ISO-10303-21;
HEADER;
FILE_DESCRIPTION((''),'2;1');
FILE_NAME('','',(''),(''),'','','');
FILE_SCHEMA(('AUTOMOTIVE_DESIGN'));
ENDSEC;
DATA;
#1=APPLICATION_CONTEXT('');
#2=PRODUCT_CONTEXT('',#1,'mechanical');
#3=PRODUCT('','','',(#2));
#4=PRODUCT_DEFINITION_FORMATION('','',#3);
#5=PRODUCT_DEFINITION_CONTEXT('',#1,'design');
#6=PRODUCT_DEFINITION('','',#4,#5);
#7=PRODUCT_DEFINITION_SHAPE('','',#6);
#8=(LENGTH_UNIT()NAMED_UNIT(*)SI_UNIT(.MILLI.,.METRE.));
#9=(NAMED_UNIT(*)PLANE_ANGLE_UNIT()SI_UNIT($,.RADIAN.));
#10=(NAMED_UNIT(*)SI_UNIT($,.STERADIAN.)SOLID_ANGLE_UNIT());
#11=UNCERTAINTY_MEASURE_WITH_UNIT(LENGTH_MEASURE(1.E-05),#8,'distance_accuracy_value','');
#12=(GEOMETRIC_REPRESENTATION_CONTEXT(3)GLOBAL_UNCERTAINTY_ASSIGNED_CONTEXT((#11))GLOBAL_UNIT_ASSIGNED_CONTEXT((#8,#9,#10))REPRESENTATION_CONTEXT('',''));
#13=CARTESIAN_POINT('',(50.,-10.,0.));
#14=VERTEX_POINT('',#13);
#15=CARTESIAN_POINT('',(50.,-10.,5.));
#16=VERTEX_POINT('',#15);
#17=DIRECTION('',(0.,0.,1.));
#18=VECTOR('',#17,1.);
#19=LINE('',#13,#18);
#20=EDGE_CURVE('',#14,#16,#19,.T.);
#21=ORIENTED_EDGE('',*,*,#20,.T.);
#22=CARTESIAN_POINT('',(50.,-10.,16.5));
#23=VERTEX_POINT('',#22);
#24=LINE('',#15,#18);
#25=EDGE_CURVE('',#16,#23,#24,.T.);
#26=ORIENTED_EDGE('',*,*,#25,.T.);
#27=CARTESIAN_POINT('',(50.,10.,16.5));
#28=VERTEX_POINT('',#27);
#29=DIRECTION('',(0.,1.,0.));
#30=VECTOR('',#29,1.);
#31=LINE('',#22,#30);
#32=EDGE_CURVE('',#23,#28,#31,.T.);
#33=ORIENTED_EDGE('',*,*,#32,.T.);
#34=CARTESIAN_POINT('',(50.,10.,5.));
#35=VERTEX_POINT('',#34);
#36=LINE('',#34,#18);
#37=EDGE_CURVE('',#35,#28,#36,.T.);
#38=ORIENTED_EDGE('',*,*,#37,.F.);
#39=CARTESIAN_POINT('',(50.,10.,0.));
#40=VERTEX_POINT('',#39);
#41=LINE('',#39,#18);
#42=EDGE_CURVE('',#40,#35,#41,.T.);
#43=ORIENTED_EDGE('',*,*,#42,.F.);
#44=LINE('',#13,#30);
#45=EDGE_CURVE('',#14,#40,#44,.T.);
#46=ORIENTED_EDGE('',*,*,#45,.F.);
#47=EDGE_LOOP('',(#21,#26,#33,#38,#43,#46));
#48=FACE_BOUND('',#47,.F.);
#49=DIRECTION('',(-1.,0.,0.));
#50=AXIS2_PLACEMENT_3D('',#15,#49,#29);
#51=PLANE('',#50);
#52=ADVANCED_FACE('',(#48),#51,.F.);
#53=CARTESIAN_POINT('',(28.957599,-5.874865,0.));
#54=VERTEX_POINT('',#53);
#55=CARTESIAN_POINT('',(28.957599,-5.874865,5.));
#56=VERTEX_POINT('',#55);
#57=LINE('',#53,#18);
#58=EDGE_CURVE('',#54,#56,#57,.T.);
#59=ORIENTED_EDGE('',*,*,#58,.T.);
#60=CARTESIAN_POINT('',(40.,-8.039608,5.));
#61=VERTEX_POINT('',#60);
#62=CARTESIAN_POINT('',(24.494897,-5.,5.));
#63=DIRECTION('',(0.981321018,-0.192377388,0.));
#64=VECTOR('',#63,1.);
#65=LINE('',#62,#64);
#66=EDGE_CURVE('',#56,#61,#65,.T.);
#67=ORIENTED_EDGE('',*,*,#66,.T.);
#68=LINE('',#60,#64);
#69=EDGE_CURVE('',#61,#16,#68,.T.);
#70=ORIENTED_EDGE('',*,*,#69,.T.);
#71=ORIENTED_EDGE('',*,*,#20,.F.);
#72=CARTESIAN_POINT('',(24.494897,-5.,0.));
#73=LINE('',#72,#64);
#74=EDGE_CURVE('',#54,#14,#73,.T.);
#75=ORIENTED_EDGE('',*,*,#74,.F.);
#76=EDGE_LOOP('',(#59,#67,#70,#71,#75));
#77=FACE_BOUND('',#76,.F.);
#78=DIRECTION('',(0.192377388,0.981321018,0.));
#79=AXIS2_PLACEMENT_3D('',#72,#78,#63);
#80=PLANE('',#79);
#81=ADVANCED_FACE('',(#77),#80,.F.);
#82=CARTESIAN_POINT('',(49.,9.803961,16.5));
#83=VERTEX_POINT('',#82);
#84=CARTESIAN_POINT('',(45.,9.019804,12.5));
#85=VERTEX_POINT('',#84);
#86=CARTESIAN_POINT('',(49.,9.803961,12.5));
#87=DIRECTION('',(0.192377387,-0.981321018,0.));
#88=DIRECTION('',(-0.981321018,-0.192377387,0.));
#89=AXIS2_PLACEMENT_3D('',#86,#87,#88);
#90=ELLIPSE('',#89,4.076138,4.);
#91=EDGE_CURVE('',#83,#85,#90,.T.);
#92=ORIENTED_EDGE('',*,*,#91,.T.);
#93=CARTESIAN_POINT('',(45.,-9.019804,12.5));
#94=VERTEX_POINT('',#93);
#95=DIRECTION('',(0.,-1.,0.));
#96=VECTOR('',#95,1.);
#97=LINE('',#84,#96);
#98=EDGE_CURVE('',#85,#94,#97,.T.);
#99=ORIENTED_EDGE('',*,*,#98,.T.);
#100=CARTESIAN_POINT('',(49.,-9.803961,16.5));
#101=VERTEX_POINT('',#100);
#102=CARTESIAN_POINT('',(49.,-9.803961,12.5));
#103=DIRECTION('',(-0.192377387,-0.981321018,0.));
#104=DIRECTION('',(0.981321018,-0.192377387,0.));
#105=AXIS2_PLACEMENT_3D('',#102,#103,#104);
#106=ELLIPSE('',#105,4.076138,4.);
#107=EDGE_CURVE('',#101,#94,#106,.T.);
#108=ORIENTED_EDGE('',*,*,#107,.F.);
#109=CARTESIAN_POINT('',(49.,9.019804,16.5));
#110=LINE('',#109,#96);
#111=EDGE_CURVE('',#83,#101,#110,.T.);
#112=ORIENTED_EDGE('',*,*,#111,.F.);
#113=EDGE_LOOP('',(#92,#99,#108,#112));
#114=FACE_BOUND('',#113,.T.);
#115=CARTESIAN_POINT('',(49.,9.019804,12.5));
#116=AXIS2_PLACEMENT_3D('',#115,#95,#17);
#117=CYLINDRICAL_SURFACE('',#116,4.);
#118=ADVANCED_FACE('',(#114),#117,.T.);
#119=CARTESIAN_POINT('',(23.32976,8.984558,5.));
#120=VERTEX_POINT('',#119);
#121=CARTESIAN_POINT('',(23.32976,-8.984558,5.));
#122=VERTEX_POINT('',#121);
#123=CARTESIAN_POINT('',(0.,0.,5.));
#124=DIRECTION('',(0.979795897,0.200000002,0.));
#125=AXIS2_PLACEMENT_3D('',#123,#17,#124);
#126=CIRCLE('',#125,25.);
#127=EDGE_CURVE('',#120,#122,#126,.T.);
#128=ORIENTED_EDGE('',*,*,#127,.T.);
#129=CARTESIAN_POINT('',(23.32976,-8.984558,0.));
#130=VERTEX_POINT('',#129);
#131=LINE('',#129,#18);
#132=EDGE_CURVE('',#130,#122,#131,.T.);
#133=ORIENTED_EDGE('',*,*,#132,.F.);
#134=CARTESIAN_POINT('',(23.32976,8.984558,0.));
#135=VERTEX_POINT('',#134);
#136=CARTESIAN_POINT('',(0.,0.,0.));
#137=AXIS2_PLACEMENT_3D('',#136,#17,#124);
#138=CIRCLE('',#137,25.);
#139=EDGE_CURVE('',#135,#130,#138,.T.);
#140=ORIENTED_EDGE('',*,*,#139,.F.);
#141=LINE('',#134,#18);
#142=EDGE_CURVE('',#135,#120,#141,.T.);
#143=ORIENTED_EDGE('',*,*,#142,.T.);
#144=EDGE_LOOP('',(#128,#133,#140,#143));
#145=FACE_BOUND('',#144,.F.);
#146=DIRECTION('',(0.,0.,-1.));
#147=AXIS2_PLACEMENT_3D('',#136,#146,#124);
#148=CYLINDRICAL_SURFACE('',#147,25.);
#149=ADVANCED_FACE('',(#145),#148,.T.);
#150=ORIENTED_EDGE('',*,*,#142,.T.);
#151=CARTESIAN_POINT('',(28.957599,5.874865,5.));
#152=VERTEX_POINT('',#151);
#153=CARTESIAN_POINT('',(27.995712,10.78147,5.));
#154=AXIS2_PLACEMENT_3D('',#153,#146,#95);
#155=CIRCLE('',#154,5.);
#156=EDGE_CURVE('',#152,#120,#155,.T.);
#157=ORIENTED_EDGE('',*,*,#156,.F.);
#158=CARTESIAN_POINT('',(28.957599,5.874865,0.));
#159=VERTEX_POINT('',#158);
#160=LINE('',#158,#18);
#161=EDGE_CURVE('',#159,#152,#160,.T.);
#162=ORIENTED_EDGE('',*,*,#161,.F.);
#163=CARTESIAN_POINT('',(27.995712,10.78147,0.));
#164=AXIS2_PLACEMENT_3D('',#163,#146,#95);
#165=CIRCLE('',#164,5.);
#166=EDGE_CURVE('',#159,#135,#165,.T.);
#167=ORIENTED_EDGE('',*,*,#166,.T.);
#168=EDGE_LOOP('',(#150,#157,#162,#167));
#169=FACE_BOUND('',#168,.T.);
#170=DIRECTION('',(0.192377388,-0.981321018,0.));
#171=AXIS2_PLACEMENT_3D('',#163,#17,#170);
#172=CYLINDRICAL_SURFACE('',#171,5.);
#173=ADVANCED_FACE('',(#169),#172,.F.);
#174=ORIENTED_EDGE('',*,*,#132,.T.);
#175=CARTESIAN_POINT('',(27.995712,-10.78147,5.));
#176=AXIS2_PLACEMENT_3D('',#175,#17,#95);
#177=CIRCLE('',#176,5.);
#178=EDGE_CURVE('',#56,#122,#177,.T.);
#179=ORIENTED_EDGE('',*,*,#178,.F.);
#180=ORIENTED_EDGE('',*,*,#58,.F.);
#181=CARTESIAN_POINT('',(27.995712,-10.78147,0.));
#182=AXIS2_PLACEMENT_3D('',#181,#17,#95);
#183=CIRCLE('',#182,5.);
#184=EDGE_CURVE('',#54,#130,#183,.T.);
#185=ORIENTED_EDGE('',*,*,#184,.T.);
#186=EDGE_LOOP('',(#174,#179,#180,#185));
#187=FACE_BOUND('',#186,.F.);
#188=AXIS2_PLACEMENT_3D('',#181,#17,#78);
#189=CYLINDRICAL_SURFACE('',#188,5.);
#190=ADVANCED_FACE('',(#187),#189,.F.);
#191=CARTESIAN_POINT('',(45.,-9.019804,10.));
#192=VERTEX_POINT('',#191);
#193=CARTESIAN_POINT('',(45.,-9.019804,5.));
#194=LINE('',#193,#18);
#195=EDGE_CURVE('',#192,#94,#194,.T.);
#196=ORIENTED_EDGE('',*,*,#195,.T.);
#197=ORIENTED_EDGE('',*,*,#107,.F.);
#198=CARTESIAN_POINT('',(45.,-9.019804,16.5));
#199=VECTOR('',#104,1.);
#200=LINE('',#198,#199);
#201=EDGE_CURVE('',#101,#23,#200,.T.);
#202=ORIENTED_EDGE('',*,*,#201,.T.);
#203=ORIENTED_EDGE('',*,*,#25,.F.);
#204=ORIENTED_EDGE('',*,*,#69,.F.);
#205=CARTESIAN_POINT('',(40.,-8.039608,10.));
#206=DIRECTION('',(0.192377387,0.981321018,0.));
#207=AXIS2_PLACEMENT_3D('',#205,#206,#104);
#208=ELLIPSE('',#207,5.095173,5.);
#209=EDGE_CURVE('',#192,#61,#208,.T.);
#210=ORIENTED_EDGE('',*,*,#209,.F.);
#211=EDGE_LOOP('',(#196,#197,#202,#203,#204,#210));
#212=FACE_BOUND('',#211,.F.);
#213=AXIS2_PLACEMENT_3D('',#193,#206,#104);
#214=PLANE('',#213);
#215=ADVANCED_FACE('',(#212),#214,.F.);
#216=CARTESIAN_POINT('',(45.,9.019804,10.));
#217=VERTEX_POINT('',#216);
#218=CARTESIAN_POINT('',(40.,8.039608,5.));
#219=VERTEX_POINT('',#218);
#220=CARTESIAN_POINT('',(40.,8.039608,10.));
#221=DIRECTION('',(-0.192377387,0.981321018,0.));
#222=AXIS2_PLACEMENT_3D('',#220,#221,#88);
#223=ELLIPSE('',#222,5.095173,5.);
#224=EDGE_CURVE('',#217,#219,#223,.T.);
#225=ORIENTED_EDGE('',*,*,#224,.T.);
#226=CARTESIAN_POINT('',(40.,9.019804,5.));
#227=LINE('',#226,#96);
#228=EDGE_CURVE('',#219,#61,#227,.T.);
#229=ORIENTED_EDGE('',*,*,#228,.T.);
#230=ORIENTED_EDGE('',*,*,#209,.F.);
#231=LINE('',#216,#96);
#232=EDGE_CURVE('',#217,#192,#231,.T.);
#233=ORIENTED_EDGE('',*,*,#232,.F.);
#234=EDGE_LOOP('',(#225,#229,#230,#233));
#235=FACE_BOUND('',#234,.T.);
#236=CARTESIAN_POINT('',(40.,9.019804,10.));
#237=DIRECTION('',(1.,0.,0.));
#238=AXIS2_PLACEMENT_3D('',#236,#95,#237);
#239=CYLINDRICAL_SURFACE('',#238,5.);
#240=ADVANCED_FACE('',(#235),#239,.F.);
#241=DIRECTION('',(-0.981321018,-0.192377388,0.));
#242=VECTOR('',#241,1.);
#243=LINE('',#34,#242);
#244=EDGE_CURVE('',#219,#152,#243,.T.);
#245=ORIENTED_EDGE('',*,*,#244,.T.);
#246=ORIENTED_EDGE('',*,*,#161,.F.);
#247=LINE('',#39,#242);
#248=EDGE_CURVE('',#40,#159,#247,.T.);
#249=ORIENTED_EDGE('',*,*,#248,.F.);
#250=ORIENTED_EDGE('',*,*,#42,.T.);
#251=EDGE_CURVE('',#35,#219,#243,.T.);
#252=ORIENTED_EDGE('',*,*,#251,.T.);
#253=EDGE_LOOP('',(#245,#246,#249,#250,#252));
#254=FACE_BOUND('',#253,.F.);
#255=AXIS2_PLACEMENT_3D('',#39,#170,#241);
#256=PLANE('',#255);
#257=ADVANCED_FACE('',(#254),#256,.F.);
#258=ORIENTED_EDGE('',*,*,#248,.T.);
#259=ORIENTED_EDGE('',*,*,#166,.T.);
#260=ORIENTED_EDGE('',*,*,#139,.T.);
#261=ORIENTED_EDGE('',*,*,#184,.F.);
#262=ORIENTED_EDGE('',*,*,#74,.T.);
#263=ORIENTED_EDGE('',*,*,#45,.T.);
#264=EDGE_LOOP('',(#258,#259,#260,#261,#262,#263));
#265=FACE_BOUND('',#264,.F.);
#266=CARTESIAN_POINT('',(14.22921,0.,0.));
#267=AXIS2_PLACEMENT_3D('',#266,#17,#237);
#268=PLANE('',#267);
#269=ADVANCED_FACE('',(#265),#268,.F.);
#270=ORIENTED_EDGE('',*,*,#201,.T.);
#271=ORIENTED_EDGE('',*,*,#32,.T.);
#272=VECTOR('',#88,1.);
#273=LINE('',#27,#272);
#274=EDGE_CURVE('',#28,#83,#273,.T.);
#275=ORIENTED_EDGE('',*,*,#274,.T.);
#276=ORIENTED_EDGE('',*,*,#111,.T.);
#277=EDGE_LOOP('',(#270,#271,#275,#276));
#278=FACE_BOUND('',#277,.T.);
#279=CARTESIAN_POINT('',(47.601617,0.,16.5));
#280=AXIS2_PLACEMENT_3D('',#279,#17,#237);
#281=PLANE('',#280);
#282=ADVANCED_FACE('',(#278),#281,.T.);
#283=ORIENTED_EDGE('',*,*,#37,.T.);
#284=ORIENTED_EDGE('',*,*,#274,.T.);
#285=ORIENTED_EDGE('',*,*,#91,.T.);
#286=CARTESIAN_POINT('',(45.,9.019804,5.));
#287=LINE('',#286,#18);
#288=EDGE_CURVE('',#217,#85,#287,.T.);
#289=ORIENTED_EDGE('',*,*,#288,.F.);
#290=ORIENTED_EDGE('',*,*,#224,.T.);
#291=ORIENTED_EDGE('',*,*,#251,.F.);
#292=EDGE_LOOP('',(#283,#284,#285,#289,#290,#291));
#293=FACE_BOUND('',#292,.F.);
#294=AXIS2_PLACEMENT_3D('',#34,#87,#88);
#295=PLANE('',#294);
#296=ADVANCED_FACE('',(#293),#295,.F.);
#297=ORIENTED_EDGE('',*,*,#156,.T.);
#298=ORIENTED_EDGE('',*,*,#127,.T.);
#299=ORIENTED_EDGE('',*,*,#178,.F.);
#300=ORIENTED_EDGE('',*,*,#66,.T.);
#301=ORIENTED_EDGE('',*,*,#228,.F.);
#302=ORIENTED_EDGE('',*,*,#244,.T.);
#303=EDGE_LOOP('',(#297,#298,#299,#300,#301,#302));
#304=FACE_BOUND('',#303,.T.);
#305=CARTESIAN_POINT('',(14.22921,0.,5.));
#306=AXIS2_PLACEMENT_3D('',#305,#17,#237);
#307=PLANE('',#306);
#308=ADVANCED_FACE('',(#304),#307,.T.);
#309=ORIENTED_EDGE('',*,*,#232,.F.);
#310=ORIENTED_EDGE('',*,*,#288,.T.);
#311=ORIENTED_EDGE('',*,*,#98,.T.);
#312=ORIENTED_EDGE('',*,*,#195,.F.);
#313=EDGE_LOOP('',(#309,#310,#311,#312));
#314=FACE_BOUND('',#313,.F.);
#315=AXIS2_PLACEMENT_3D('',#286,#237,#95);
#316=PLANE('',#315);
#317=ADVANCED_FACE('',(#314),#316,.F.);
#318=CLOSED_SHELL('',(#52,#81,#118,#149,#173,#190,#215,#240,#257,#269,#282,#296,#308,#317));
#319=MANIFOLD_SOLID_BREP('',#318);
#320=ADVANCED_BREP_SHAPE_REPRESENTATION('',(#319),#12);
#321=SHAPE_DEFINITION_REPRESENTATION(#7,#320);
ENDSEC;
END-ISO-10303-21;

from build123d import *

# Parameters (mm, degrees)
F1_DEPTH = 5
F3_DEPTH = 11.5
F4_R     = 5
F5_R     = 4


with BuildPart() as f1:
    # F0 (on Top) → F1 (new body)
    with BuildSketch(Plane.XY):
        with BuildLine():
            Line((50, 10), (24.494897, 5))
            ThreePointArc((24.494897, 5), (-25, 0), (24.494897, -5))
            Line((24.494897, -5), (50, -10))
            Line((50, -10), (50, 10))
        make_face()
    extrude(amount=F1_DEPTH)

    # F2 (on face) → F3 (join)
    with BuildSketch(Plane.XY.offset(5)):
        Polygon((50, -10), (50, 10), (45, 9.019804), (45, -9.019804), align=None)
    extrude(amount=F3_DEPTH)

    # F4
    f4_edges = [f1.edges().sort_by_distance(p)[0] for p in [
        (24.494897, 5, 2.5),
        (24.494897, -5, 2.5),
        (45, 0, 5),
    ]]
    fillet(f4_edges, radius=F4_R)

    # F5
    f5_edges = [f1.edges().sort_by_distance(p)[0] for p in [
        (45, 0, 16.5),
    ]]
    fillet(f5_edges, radius=F5_R)


solid = f1.part
